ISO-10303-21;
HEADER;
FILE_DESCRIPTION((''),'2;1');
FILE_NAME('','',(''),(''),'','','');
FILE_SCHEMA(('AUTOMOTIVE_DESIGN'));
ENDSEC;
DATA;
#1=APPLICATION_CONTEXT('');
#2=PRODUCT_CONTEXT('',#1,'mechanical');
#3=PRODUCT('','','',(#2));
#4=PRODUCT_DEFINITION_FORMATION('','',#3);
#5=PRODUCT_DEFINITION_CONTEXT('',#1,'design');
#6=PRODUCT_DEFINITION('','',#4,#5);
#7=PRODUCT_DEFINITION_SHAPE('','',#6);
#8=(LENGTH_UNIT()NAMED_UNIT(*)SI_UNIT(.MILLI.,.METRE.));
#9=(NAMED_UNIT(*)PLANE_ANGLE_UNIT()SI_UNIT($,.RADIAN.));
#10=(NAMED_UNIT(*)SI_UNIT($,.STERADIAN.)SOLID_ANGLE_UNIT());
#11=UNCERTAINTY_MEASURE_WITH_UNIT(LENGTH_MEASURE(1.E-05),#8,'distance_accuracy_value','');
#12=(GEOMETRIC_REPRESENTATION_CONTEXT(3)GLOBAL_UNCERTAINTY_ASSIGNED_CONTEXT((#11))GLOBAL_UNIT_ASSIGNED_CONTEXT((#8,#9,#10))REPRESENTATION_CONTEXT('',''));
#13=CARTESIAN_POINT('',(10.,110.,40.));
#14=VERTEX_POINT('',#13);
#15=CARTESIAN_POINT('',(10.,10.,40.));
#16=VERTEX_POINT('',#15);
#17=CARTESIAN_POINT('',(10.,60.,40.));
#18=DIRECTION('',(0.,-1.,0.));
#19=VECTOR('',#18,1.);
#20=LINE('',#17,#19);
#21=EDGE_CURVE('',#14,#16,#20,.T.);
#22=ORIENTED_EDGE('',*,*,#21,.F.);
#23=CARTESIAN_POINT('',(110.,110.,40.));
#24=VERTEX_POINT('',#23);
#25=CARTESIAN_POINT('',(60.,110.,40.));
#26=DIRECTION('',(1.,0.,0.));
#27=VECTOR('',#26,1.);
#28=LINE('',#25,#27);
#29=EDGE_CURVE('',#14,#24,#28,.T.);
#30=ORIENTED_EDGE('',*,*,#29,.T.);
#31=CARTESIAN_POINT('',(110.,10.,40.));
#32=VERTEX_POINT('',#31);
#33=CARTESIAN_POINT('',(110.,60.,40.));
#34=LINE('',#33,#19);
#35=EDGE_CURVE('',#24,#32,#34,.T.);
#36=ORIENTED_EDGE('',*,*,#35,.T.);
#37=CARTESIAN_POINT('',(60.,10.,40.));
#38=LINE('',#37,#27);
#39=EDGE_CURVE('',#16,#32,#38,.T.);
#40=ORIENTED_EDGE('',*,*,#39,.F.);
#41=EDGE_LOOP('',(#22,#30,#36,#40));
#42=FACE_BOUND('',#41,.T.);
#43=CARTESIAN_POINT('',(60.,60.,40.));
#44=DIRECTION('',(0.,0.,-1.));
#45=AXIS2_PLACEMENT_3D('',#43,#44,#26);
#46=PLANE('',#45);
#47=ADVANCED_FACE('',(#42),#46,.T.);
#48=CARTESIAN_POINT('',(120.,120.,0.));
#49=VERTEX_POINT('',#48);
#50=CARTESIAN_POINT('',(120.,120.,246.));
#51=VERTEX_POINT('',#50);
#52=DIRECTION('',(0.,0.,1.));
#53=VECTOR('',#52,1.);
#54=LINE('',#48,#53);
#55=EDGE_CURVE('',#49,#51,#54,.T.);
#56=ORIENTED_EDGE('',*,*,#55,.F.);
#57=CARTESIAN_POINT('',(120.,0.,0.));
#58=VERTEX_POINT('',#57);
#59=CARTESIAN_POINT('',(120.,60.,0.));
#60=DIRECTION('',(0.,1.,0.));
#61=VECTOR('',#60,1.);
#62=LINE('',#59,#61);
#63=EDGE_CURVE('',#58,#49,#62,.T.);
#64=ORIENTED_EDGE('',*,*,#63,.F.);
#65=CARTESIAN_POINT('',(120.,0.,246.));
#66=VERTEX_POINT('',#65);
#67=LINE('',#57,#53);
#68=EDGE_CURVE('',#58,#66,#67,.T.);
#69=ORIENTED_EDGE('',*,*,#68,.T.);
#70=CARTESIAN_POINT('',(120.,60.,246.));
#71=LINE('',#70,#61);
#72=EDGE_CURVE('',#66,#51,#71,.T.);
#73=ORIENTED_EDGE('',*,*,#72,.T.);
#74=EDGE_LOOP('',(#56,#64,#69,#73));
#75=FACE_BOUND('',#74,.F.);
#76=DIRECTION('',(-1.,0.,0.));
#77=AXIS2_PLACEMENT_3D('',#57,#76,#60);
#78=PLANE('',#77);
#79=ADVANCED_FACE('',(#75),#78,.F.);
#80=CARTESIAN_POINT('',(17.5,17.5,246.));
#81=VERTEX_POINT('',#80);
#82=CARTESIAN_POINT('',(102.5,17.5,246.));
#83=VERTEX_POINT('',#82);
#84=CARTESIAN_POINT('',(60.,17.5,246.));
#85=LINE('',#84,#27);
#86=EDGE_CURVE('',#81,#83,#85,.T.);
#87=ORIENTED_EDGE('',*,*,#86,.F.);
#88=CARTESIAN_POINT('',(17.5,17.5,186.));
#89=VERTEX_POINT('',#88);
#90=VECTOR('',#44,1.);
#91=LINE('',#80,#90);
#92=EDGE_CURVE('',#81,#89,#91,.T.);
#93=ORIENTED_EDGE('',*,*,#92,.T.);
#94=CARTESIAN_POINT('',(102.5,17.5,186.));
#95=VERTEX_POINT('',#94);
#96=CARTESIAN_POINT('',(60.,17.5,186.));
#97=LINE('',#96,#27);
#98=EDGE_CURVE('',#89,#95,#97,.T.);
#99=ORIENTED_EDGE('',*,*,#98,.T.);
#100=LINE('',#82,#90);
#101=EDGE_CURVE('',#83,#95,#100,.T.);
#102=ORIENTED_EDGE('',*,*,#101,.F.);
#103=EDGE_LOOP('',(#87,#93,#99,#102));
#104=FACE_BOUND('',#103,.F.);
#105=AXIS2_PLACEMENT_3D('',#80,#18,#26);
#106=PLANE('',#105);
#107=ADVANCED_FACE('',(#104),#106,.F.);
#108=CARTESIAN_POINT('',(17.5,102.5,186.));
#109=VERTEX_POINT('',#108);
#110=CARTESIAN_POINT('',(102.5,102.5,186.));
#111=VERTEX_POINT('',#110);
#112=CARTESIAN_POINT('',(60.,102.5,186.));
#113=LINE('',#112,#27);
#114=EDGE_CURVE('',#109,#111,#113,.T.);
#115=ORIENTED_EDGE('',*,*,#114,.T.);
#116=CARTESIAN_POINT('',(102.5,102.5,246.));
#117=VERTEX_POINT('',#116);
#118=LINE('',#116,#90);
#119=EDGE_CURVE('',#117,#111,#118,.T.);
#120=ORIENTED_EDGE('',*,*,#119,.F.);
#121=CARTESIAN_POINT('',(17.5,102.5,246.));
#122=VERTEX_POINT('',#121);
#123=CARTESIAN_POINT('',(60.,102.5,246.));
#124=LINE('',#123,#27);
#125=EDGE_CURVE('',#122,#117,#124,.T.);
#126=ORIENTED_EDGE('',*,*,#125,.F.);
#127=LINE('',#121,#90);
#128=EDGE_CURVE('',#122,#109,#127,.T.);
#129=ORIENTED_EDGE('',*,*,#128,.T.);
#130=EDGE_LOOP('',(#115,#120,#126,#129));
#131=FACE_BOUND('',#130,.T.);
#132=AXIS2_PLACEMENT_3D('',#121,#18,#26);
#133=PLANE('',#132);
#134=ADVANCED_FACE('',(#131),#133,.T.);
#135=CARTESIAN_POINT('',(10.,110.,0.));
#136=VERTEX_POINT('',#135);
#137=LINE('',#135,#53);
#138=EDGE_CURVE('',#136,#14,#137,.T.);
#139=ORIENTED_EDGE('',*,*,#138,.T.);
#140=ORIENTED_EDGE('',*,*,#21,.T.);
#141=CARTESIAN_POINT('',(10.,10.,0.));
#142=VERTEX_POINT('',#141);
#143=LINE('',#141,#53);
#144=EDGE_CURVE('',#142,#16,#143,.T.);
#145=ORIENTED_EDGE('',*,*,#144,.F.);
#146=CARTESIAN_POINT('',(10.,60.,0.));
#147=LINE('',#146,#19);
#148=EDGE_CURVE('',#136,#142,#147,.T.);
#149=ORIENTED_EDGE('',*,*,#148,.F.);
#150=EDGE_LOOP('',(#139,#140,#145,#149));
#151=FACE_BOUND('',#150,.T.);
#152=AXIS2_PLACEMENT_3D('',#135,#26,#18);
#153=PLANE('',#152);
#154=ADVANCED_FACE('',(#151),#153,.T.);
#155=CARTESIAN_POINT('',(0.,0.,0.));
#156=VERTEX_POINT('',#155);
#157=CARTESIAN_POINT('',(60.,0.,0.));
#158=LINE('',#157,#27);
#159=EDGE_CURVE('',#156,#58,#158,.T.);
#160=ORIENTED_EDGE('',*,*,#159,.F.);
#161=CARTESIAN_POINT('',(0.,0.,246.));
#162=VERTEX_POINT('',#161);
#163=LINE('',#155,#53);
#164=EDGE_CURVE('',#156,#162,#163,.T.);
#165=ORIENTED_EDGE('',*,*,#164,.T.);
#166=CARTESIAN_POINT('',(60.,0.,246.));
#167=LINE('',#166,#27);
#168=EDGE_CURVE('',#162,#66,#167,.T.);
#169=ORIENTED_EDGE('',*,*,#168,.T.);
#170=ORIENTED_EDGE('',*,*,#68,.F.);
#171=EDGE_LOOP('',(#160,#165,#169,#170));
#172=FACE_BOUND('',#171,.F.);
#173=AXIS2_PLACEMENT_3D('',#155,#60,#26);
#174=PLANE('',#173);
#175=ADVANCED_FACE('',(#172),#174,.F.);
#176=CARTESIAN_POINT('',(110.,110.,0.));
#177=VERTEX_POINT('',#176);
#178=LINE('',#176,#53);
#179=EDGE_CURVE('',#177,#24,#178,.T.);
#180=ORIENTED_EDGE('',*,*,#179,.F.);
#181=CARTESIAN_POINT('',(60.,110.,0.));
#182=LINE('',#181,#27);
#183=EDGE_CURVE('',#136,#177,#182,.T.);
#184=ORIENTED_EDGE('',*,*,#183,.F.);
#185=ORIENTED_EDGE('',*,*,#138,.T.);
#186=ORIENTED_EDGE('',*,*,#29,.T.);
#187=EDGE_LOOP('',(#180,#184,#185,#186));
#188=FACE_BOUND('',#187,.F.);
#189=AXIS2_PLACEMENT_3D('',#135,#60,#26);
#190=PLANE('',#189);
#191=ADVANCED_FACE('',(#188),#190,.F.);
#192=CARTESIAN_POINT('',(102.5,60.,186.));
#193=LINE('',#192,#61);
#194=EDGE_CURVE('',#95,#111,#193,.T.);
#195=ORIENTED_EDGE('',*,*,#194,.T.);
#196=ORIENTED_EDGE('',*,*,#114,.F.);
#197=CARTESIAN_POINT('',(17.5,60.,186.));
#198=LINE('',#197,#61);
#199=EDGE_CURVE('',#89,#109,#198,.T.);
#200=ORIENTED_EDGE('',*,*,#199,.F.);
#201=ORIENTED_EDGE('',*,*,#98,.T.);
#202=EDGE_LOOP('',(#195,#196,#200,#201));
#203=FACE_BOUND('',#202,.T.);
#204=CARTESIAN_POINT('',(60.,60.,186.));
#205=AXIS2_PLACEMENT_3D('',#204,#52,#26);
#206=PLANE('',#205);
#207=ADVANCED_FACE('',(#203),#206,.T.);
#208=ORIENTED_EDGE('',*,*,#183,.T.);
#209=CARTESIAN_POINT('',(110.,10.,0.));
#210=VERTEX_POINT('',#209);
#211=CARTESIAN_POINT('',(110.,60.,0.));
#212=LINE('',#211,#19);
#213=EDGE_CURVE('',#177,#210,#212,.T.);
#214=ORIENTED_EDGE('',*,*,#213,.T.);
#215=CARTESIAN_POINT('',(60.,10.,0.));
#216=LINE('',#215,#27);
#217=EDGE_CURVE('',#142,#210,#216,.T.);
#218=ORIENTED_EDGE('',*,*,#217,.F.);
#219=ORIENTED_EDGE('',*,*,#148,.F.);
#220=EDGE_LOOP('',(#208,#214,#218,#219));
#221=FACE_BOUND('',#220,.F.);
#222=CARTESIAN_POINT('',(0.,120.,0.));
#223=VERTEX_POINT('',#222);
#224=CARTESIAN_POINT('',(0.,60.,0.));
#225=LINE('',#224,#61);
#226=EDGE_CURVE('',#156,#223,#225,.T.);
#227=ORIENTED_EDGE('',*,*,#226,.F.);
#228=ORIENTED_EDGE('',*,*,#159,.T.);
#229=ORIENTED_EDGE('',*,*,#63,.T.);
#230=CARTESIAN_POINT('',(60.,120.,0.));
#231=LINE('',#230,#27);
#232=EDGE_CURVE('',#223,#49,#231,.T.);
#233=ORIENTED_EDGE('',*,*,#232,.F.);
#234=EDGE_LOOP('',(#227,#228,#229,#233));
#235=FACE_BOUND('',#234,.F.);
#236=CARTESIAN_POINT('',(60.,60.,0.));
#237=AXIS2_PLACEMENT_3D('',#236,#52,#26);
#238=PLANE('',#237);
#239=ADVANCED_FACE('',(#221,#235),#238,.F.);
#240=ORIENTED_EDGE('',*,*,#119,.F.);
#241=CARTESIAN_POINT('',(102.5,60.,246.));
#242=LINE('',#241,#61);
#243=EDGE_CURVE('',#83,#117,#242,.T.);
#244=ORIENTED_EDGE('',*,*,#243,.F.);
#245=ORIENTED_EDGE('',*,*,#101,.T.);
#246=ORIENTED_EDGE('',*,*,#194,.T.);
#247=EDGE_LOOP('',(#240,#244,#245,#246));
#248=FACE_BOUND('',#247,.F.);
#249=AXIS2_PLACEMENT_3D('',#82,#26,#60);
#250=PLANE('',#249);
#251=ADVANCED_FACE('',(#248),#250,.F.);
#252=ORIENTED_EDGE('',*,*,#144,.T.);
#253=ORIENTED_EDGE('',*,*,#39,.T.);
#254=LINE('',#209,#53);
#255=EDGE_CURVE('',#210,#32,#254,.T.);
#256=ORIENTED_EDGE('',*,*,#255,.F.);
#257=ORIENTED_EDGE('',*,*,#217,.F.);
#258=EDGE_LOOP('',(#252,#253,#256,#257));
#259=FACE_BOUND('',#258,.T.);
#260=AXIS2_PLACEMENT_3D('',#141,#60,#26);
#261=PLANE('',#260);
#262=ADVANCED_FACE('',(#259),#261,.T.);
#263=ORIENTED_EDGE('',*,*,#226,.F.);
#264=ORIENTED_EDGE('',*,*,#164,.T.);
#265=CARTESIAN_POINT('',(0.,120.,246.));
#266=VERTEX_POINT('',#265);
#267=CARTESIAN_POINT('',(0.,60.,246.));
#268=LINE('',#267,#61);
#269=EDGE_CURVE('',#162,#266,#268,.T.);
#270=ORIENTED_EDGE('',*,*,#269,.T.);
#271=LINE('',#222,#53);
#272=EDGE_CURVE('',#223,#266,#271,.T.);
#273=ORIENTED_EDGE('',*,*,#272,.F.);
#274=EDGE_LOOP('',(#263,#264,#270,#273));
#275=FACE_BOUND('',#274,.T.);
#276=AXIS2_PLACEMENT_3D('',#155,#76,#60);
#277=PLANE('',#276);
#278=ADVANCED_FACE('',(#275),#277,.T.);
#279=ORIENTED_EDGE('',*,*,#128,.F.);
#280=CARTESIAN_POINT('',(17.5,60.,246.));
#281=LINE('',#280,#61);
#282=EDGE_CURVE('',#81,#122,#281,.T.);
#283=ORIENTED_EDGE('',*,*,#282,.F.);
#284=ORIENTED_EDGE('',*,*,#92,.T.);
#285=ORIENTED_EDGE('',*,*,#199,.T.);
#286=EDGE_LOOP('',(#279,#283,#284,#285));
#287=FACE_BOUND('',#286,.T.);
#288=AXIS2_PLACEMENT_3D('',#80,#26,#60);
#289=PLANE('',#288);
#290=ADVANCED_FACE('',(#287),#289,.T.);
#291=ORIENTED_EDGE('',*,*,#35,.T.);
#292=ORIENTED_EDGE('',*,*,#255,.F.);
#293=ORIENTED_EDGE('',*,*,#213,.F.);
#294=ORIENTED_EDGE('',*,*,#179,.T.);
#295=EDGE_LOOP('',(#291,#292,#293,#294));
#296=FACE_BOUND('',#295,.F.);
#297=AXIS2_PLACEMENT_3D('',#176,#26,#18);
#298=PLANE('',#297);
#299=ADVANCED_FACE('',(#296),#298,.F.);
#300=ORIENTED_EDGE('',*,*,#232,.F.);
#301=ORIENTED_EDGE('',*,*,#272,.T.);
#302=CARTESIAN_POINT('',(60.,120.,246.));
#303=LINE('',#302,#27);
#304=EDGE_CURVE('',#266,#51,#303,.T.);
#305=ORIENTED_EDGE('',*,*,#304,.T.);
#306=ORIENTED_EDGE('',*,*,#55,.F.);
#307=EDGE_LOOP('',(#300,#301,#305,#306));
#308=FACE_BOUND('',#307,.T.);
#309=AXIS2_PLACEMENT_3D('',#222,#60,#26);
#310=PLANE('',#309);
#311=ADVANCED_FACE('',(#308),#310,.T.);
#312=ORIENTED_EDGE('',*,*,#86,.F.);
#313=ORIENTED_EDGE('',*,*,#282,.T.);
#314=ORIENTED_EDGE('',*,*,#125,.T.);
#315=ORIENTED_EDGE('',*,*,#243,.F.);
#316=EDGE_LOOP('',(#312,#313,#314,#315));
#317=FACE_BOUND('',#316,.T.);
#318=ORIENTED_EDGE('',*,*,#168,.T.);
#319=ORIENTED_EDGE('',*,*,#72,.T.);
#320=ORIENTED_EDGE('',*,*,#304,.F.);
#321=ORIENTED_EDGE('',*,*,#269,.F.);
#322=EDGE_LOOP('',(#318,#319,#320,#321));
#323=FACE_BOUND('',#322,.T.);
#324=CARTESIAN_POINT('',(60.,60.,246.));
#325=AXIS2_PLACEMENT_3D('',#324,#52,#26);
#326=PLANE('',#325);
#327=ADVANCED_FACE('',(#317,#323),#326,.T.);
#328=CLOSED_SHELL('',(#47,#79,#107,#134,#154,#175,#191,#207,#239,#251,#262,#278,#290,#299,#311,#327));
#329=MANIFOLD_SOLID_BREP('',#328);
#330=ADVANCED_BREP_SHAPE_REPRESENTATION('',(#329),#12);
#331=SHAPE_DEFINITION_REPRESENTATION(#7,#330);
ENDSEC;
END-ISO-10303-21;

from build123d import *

# Parameters (mm, degrees)
F0_W     = 120
F0_H     = 120
F1_DEPTH = 246
F2_W     = 100
F2_H     = 100
F3_DEPTH = 40
F4_W     = 85
F4_H     = 85
F5_DEPTH = 60


with BuildPart() as f1:
    # F0 (on Top) → F1 (new body)
    with BuildSketch(Plane.XY):
        with Locations((60, 60)):
            Rectangle(F0_W, F0_H)
    extrude(amount=F1_DEPTH)

    # F2 (on face) → F3 (cut)
    with BuildSketch(Plane(origin=(0, 0, 0), x_dir=(1, 0, 0), z_dir=(0, 0, -1))):
        with Locations((60, -60)):
            Rectangle(F2_W, F2_H)
    extrude(amount=-F3_DEPTH, mode=Mode.SUBTRACT)

    # F4 (on face) → F5 (cut)
    with BuildSketch(Plane.XY.offset(246)):
        with Locations((60, 60)):
            Rectangle(F4_W, F4_H)
    extrude(amount=-F5_DEPTH, mode=Mode.SUBTRACT)


solid = f1.part
